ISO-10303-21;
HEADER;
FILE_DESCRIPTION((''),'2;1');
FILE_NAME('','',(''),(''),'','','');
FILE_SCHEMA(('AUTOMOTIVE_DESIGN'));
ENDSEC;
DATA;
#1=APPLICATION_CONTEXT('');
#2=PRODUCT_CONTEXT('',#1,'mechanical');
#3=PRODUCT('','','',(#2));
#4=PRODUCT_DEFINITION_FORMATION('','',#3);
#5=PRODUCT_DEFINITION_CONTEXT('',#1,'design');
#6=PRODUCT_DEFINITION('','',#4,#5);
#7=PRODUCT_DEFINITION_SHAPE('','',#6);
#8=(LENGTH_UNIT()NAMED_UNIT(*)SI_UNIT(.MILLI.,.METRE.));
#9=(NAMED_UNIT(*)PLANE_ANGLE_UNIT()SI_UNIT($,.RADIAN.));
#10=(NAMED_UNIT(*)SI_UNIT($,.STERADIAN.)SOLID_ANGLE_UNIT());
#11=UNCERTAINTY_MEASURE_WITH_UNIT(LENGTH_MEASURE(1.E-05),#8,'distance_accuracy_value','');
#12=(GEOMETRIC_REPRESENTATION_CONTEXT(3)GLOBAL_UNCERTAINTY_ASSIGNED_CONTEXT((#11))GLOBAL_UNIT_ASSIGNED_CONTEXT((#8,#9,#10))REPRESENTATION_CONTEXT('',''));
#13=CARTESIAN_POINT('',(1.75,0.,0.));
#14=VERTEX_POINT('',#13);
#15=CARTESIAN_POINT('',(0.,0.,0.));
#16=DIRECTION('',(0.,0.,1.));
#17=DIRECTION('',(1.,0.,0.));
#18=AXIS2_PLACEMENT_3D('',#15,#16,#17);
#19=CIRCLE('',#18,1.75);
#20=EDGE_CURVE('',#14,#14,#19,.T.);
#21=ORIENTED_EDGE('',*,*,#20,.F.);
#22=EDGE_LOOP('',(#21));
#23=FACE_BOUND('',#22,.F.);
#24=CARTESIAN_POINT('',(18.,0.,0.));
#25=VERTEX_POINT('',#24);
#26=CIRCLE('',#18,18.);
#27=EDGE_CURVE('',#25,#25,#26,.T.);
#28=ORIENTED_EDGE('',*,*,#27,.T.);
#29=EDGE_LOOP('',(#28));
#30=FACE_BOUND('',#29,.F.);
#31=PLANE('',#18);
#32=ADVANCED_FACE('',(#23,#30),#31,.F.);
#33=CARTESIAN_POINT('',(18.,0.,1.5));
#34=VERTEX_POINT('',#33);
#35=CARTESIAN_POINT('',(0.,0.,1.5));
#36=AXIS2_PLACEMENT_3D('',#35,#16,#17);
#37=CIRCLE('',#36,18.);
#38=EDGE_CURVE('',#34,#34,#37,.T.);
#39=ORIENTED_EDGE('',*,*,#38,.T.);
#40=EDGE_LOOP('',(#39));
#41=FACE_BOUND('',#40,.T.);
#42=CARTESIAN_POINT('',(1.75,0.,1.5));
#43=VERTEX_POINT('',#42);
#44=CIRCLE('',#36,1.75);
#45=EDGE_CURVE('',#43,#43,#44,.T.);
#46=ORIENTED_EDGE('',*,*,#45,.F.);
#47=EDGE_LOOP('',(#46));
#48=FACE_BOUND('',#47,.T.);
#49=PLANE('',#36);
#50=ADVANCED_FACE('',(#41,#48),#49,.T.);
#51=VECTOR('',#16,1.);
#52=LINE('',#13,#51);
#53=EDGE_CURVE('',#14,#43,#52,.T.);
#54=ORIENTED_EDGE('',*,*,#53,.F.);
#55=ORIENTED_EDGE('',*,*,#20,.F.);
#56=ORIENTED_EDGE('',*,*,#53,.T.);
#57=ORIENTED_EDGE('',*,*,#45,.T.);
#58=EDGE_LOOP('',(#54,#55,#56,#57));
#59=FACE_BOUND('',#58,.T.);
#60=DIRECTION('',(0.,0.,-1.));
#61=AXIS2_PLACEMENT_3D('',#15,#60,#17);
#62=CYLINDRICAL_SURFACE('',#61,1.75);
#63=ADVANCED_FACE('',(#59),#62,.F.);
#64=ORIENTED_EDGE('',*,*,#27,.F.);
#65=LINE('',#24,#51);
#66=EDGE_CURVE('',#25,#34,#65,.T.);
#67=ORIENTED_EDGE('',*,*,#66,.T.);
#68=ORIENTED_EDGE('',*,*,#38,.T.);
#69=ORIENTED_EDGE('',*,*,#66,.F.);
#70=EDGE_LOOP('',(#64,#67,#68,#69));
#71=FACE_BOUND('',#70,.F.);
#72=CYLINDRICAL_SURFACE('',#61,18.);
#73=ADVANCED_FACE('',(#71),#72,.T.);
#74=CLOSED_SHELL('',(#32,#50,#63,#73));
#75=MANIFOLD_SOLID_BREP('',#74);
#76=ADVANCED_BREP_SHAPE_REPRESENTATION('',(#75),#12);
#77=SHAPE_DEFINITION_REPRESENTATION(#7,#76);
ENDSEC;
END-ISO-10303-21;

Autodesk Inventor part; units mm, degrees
ref_plane "YZ Plane" through (0, 0, 0) normal (1, 0, 0) x (0, 1, 0)
ref_plane "XZ Plane" through (0, 0, 0) normal (0, 1, 0) x (-1, 0, 0)
ref_plane "XY Plane" through (0, 0, 0) normal (0, 0, 1) x (1, 0, 0)
sketch "Sketch1" plane through (0, 0, 0) normal (0, 0, 1) x (1, 0, 0)
  circle A0 centre (0, 0) radius 18
  circle A1 centre (0, 0) radius 1.75
  dimension "d0" = 36
  dimension "d1" = 3.5
extrude "Extrusion1" add sketch "Sketch1" along normal blind 1.5
equation "\"d2\" = 0.5 * platformT"
equation "\"TaperEnd\" = 22"
equation "\"TaperStart\" = 22.5"
equation "\"sealD\" = 12.5"
equation "\"WallT\" = 1.6"
equation "\"platformT\" = 3"
equation "\"ThreadPitch\" = 1.5"
equation "\"ThreadMajor\" = TaperStart + 2 * ThreadHeight"
equation "\"ThreadTol\" = 0.32"
equation "\"SpringPin\" = 6.6"
equation "\"ThreadHeight\" = 0.6"
properties part number "SealV3"
